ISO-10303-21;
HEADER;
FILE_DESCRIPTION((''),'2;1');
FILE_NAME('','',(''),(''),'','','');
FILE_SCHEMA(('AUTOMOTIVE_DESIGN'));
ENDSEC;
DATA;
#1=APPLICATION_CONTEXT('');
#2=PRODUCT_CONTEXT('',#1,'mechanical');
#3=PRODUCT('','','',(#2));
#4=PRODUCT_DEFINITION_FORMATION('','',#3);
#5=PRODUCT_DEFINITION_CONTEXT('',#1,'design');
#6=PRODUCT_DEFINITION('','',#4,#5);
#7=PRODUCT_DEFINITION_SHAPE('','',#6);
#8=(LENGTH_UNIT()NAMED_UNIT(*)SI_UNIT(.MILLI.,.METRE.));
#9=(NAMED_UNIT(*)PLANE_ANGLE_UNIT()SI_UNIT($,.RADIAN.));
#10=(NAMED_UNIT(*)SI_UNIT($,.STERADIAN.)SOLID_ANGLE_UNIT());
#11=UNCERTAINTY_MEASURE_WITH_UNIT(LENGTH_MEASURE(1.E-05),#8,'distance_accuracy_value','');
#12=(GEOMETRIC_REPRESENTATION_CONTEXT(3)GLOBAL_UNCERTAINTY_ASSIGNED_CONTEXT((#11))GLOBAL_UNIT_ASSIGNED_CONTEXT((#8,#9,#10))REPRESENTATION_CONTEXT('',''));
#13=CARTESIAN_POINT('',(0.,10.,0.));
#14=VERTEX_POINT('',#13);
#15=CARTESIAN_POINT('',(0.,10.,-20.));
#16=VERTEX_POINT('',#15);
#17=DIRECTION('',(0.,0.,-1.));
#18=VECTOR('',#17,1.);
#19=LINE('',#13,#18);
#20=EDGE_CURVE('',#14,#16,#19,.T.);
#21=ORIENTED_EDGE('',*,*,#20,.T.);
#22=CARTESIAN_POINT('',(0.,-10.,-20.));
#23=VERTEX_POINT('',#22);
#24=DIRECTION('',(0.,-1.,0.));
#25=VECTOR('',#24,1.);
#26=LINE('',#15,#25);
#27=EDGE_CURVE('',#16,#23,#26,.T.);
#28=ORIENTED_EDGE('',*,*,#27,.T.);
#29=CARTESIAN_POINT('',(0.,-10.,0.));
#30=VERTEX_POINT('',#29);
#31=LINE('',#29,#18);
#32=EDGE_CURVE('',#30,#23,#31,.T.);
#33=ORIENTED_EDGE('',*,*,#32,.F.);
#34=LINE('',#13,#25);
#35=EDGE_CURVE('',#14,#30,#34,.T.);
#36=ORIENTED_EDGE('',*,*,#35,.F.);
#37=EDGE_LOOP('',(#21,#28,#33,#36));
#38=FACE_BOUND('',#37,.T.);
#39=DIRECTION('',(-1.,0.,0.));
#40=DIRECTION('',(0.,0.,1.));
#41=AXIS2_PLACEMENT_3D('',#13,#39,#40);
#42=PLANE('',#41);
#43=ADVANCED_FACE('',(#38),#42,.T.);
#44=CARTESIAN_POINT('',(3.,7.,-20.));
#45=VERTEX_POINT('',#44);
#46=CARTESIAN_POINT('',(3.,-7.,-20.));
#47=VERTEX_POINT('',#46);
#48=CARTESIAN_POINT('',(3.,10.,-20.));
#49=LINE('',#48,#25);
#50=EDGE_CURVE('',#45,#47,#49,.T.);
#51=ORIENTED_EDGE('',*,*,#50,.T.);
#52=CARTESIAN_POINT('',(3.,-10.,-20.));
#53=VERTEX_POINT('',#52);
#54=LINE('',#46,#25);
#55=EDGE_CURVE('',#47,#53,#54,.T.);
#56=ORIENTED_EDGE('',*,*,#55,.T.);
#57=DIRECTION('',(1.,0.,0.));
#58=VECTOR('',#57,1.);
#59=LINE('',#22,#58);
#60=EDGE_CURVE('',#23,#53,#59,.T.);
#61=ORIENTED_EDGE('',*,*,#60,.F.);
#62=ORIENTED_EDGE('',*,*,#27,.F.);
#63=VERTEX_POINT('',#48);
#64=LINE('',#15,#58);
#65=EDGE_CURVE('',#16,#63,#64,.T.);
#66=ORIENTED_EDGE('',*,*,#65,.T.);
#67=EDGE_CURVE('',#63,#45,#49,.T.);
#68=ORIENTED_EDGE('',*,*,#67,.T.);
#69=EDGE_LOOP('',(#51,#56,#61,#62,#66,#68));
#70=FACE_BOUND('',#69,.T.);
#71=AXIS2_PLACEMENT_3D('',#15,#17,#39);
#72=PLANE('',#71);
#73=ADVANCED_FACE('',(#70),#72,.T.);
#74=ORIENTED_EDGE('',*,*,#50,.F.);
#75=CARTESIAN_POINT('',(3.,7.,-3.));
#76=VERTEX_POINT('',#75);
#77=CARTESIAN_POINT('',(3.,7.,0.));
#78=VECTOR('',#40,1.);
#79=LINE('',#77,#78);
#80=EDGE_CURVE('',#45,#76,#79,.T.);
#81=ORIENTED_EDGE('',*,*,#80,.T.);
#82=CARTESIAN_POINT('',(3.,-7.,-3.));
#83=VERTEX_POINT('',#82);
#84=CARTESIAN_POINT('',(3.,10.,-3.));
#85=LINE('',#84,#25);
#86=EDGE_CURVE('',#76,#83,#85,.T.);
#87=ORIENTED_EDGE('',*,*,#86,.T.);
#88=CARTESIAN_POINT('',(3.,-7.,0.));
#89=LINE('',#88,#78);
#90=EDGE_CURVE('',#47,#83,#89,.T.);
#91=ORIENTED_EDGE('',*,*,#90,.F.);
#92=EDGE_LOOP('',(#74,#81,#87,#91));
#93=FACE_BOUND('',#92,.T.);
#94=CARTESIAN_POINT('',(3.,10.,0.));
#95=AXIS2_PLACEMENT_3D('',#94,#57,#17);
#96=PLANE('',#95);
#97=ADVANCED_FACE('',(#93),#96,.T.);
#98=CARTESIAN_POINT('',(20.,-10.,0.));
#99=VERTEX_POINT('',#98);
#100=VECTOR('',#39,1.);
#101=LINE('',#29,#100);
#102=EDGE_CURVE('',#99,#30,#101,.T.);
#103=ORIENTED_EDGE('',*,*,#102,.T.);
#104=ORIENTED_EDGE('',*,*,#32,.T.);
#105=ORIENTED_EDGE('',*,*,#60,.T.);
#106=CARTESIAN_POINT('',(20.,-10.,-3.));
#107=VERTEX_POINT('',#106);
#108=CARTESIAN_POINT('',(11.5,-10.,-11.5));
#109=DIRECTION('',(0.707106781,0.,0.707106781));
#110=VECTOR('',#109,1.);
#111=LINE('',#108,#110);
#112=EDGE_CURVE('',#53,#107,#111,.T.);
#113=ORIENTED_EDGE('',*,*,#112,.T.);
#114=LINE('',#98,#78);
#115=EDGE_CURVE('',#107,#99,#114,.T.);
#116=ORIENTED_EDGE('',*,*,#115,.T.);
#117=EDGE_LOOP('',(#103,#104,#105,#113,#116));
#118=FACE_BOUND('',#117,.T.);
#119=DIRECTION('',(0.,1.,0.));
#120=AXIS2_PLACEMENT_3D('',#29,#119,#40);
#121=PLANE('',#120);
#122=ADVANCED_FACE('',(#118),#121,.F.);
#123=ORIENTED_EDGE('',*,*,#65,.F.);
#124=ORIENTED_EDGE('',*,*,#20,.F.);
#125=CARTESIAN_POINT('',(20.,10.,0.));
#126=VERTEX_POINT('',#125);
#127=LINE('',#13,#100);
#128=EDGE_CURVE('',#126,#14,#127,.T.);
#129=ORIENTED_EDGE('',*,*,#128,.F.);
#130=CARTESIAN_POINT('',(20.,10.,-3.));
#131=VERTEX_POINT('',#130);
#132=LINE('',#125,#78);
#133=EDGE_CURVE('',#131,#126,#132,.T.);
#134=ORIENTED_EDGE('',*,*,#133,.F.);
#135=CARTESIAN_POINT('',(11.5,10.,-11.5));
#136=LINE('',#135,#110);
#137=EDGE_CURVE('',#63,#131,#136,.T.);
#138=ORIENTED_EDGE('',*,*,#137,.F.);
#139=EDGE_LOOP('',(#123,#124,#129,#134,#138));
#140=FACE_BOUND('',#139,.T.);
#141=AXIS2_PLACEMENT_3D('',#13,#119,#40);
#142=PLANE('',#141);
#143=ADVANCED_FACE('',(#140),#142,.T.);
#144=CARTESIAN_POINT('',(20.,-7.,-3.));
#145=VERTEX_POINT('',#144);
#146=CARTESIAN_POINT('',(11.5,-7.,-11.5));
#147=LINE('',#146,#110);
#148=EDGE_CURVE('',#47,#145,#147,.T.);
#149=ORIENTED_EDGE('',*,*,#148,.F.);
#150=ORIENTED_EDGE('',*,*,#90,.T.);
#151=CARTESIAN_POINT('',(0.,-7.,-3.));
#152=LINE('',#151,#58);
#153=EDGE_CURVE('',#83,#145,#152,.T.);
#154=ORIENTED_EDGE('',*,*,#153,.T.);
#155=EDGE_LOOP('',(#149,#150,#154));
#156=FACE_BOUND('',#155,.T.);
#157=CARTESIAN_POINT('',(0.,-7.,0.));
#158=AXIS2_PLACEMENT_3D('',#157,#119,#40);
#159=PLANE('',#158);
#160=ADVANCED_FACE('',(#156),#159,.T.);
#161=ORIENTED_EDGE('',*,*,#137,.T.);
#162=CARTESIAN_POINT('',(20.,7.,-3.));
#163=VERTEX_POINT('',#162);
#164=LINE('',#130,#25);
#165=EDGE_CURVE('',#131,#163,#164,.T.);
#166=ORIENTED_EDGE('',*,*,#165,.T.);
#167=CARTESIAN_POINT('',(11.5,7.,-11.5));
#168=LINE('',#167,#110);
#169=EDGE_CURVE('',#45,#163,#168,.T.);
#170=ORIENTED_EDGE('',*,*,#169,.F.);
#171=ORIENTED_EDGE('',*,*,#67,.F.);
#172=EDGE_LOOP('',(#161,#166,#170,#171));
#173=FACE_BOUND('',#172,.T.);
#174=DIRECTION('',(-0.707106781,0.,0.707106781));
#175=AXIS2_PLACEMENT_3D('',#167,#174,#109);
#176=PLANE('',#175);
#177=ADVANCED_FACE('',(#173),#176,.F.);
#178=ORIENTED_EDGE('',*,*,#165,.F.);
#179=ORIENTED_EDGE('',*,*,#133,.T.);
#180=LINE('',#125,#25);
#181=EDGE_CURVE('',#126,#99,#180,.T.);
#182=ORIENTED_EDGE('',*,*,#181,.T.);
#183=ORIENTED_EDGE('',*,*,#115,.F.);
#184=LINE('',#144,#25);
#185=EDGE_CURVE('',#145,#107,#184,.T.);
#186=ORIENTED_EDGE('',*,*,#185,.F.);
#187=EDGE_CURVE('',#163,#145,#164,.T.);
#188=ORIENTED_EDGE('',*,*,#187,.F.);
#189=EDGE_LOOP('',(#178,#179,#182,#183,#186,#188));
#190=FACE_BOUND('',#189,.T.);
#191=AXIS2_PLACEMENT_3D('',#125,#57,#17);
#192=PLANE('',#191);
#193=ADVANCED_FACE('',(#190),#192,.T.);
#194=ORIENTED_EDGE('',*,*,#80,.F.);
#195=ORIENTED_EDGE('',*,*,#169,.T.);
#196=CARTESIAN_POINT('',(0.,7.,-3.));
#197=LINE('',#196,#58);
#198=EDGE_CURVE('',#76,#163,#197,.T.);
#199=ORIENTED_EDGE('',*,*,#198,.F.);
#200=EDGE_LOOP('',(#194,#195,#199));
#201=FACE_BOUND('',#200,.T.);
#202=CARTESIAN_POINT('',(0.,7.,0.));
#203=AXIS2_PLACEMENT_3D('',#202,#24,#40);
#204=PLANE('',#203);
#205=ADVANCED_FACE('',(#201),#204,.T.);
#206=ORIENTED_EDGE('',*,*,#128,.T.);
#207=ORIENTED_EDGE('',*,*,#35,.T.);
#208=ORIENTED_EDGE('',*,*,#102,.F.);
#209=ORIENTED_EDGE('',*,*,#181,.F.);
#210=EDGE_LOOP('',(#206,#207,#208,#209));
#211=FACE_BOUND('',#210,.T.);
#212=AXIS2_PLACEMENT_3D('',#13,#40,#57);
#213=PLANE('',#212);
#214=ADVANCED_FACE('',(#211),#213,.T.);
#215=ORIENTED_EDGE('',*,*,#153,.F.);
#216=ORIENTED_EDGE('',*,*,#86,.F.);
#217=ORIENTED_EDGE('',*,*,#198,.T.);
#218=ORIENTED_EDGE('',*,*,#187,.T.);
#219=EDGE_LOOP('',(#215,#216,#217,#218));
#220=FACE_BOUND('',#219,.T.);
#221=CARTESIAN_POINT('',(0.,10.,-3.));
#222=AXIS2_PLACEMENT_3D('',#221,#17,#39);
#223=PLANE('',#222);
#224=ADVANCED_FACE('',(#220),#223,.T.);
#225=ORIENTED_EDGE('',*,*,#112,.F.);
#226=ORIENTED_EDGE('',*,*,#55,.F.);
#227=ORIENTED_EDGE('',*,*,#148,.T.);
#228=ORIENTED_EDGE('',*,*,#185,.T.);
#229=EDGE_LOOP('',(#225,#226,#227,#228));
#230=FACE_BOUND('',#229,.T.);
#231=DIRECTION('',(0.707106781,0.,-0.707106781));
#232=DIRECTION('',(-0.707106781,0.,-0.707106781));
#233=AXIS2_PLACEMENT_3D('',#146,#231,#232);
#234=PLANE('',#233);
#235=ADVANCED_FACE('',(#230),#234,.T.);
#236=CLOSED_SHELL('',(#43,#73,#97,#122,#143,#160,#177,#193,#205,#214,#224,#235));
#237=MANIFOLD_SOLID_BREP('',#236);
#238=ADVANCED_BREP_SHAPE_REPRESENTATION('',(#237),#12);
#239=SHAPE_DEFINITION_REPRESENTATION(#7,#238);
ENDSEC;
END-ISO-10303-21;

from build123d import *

# Parameters (mm, degrees)
EXTRUDE_1_DEPTH = 10
EXTRUDE_START   = -10
EXTRUDE_2_DEPTH = 3


with BuildPart() as part:
    # Эскиз1 → Бобышка-Вытянуть1 (new, symmetric)
    with BuildSketch(Plane(origin=(0, 0, 0), x_dir=(1, 0, 0), z_dir=(0, 1, 0))):
        Polygon((0, 20), (0, 0), (20, 0), (20, 3), (3, 3), (3, 20), align=None)
    extrude(amount=EXTRUDE_1_DEPTH, both=True)

    # Эскиз1<3> → Бобышка-Вытянуть2 (add)
    with BuildSketch(Plane(origin=(0, 0, 0), x_dir=(1, 0, 0), z_dir=(0, 1, 0)).offset(EXTRUDE_START)):
        Polygon((20, 3), (3, 20), (3, 3), align=None)
    extrude_2 = extrude(amount=EXTRUDE_2_DEPTH)

    # Зеркальное отражение2: Бобышка-Вытянуть2 across plane
    add(extrude_2.mirror(Plane.ZX))


solid = part.part
